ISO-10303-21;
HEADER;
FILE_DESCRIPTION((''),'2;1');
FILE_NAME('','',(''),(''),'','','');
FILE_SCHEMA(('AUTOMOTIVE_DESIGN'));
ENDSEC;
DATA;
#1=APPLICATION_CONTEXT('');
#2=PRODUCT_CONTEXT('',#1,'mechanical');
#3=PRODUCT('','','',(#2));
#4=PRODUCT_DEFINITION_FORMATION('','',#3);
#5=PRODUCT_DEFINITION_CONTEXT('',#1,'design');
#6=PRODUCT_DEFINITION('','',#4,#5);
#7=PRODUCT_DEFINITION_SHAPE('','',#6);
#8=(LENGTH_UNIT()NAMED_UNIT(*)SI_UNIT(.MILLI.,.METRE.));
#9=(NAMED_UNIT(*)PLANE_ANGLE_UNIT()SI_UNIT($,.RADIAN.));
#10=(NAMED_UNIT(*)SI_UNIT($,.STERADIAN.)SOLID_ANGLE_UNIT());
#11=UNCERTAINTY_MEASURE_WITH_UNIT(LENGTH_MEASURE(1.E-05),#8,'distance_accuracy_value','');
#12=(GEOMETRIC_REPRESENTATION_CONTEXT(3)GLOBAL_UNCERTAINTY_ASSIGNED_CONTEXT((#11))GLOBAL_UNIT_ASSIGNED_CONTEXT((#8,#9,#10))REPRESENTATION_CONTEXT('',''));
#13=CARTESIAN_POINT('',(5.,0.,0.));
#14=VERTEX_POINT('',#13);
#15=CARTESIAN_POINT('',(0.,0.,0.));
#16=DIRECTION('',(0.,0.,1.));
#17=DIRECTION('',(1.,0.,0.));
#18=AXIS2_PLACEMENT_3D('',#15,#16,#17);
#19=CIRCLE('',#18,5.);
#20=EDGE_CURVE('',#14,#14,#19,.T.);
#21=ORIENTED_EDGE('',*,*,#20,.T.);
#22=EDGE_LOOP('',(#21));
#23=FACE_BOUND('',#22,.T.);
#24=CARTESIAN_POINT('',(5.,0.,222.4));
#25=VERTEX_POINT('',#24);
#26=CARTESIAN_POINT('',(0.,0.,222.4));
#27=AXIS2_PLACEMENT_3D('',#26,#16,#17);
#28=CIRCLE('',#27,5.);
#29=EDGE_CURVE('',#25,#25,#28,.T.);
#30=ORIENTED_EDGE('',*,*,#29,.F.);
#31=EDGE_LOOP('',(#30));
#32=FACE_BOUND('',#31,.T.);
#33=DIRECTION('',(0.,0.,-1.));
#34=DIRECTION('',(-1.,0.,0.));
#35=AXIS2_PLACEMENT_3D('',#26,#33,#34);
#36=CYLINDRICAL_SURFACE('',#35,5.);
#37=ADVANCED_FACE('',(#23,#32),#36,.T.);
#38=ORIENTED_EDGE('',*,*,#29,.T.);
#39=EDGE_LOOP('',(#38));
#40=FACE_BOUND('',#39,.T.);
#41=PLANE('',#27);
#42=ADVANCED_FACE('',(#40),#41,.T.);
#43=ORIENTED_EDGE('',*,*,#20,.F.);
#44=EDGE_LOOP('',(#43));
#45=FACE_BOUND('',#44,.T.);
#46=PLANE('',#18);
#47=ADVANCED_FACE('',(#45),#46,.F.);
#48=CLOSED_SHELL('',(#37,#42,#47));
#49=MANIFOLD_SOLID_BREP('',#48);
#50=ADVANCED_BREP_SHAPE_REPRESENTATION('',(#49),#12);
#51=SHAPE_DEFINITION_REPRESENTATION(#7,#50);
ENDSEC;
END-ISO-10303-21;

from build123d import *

# Parameters (mm, degrees)
SKETCH2_R           = 5
BOSS_EXTRUDE1_DEPTH = 222.4


with BuildPart() as part:
    # Sketch2 → Boss-Extrude1 (new body)
    with BuildSketch(Plane.XY):
        Circle(SKETCH2_R)
    extrude(amount=BOSS_EXTRUDE1_DEPTH)


solid = part.part
